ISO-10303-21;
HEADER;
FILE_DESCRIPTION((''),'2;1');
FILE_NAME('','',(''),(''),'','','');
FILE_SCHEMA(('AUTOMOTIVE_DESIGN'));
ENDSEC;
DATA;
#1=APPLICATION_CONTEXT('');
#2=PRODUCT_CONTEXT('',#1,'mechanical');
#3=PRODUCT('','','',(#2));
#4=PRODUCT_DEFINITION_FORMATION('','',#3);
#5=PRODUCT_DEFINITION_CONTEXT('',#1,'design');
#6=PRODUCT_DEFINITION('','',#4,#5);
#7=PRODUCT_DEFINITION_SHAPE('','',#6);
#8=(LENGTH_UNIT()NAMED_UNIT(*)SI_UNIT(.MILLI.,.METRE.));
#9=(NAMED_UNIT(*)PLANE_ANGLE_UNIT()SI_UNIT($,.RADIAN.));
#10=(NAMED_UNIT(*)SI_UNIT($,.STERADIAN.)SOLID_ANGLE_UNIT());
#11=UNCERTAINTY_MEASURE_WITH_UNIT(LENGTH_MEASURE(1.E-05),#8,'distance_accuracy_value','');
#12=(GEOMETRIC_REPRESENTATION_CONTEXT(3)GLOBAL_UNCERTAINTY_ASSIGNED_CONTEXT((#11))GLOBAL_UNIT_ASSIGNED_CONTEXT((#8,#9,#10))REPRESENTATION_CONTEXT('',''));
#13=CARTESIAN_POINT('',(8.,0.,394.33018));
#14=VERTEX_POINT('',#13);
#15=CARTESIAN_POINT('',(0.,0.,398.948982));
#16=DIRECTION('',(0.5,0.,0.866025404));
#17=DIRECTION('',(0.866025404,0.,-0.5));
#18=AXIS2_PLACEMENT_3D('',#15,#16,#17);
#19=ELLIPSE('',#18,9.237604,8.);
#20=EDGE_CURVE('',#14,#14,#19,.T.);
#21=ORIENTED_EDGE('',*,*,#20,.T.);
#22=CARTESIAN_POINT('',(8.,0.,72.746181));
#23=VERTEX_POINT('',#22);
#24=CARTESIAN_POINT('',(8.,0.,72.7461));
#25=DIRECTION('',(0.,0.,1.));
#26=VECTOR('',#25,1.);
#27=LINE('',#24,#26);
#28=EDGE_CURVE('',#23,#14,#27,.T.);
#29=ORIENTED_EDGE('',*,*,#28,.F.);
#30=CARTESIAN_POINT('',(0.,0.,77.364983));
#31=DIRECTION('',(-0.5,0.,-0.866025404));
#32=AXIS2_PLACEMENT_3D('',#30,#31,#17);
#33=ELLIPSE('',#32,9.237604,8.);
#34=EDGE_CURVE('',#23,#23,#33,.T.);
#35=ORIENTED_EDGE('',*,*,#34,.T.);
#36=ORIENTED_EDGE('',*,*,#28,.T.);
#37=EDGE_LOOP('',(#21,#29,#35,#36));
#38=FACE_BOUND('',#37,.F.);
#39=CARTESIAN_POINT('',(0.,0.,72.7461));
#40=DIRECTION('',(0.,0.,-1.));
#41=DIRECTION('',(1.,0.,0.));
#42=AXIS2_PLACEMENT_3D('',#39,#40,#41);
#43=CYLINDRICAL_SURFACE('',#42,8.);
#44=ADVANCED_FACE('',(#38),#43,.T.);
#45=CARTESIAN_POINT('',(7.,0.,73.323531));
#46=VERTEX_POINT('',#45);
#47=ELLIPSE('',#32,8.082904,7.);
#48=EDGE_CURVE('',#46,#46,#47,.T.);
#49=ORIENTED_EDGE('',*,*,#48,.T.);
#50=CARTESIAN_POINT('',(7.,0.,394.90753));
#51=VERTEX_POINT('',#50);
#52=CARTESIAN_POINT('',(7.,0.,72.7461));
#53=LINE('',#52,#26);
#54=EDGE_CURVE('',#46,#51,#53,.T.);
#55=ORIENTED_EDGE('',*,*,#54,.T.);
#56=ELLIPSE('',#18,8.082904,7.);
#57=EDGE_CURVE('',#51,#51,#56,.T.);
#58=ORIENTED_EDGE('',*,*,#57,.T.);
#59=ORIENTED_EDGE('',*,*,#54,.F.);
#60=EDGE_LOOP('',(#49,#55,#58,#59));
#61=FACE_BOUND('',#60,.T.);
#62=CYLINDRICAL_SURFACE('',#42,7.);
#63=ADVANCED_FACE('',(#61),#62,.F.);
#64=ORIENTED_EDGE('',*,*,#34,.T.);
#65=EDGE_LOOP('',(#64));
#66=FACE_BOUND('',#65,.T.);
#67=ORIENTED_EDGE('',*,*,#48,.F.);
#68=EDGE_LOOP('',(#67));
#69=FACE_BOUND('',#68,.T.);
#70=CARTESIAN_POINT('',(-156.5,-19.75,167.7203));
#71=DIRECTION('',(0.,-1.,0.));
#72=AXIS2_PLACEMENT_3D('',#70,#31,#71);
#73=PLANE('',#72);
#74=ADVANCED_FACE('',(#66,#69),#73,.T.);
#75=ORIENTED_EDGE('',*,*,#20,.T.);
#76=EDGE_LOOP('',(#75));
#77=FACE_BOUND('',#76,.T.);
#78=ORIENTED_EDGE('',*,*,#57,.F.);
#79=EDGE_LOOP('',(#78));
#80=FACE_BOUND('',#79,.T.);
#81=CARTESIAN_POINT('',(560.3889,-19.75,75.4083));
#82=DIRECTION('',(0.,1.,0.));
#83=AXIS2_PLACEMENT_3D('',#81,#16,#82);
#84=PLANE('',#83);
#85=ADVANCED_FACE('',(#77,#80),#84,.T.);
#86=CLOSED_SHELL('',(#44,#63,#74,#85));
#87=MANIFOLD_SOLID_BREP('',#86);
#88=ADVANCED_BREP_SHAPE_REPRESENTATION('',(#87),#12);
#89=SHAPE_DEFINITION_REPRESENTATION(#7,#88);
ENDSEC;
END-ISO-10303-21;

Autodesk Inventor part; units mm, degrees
ref_plane "Начальная плоскость" through (0, 0, 72.7461) normal (0, 0, 1) x (1, 0, 0)
ref_plane "Конечная плоскость" through (0, 0, 403.5678) normal (0, 0, 1) x (1, 0, 0)
sketch "Эскиз" plane through (0, 0, 0) normal (0, 0, 1) x (1, 0, 0)
  circle A0 centre (0, 0) radius 7
  circle A1 centre (0, 0) radius 8
  dimension "d0" = 16
  dimension "d1" = 1
extrude "Тело" add sketch "Эскиз" along normal up to surface (330.8217 mm away) from surface at 72.7461
sketch "Sketch3" plane through (0, 0, 0) normal (0, 0, 1) x (1, 0, 0)
  line L0 (0, 0) -> (10, 0)
ref_plane "Work Plane3" through (0, 0, 0) normal (0, -1, 0) x (1, 0, 0)
sketch "Sketch4" plane through (0, 0, 0) normal (0, -1, 0) x (1, 0, 0)
  line L0 (-2, 72.7461) -> (12, 72.7461)
  line L1 (-2, 403.5678) -> (12, 403.5678)
  dimension "d7" = 330.8217
ref_plane "РабПлоскость4" through (560.3889, -19.75, 75.4083) normal (0.5, 0, 0.866) x (0.866, 0, -0.5)
split "Разделение1" plane through (560.3889, -19.75, 75.4083) removes the side toward (0.5, 0, 0.866)
ref_plane "РабПлоскость5" through (-156.5, -19.75, 167.7203) normal (-0.5, 0, -0.866) x (-0.866, 0, 0.5)
split "Разделение2" plane through (-156.5, -19.75, 167.7203) removes the side toward (-0.5, 0, -0.866)
equation "\"d0\" = G_H"
equation "\"d1\" = G_T"
equation "\"d2\" = G_L"
equation "\"G_H\" = 16"
equation "\"G_T\" = 1"
equation "\"G_L\" = d7"
equation "\"G_OFFSET_START\" = -72.74613"
equation "\"G_OFFSET_END\" = -35.21837"
equation "\"d4\" = -G_OFFSET_START"
equation "\"d5\" = G_OFFSET_END + B_L"
equation "\"B_L\" = 438.7862"
properties part number "Труба 16x1-330,82 ГОСТ 10704-91" material "Сталь, мягкая"
